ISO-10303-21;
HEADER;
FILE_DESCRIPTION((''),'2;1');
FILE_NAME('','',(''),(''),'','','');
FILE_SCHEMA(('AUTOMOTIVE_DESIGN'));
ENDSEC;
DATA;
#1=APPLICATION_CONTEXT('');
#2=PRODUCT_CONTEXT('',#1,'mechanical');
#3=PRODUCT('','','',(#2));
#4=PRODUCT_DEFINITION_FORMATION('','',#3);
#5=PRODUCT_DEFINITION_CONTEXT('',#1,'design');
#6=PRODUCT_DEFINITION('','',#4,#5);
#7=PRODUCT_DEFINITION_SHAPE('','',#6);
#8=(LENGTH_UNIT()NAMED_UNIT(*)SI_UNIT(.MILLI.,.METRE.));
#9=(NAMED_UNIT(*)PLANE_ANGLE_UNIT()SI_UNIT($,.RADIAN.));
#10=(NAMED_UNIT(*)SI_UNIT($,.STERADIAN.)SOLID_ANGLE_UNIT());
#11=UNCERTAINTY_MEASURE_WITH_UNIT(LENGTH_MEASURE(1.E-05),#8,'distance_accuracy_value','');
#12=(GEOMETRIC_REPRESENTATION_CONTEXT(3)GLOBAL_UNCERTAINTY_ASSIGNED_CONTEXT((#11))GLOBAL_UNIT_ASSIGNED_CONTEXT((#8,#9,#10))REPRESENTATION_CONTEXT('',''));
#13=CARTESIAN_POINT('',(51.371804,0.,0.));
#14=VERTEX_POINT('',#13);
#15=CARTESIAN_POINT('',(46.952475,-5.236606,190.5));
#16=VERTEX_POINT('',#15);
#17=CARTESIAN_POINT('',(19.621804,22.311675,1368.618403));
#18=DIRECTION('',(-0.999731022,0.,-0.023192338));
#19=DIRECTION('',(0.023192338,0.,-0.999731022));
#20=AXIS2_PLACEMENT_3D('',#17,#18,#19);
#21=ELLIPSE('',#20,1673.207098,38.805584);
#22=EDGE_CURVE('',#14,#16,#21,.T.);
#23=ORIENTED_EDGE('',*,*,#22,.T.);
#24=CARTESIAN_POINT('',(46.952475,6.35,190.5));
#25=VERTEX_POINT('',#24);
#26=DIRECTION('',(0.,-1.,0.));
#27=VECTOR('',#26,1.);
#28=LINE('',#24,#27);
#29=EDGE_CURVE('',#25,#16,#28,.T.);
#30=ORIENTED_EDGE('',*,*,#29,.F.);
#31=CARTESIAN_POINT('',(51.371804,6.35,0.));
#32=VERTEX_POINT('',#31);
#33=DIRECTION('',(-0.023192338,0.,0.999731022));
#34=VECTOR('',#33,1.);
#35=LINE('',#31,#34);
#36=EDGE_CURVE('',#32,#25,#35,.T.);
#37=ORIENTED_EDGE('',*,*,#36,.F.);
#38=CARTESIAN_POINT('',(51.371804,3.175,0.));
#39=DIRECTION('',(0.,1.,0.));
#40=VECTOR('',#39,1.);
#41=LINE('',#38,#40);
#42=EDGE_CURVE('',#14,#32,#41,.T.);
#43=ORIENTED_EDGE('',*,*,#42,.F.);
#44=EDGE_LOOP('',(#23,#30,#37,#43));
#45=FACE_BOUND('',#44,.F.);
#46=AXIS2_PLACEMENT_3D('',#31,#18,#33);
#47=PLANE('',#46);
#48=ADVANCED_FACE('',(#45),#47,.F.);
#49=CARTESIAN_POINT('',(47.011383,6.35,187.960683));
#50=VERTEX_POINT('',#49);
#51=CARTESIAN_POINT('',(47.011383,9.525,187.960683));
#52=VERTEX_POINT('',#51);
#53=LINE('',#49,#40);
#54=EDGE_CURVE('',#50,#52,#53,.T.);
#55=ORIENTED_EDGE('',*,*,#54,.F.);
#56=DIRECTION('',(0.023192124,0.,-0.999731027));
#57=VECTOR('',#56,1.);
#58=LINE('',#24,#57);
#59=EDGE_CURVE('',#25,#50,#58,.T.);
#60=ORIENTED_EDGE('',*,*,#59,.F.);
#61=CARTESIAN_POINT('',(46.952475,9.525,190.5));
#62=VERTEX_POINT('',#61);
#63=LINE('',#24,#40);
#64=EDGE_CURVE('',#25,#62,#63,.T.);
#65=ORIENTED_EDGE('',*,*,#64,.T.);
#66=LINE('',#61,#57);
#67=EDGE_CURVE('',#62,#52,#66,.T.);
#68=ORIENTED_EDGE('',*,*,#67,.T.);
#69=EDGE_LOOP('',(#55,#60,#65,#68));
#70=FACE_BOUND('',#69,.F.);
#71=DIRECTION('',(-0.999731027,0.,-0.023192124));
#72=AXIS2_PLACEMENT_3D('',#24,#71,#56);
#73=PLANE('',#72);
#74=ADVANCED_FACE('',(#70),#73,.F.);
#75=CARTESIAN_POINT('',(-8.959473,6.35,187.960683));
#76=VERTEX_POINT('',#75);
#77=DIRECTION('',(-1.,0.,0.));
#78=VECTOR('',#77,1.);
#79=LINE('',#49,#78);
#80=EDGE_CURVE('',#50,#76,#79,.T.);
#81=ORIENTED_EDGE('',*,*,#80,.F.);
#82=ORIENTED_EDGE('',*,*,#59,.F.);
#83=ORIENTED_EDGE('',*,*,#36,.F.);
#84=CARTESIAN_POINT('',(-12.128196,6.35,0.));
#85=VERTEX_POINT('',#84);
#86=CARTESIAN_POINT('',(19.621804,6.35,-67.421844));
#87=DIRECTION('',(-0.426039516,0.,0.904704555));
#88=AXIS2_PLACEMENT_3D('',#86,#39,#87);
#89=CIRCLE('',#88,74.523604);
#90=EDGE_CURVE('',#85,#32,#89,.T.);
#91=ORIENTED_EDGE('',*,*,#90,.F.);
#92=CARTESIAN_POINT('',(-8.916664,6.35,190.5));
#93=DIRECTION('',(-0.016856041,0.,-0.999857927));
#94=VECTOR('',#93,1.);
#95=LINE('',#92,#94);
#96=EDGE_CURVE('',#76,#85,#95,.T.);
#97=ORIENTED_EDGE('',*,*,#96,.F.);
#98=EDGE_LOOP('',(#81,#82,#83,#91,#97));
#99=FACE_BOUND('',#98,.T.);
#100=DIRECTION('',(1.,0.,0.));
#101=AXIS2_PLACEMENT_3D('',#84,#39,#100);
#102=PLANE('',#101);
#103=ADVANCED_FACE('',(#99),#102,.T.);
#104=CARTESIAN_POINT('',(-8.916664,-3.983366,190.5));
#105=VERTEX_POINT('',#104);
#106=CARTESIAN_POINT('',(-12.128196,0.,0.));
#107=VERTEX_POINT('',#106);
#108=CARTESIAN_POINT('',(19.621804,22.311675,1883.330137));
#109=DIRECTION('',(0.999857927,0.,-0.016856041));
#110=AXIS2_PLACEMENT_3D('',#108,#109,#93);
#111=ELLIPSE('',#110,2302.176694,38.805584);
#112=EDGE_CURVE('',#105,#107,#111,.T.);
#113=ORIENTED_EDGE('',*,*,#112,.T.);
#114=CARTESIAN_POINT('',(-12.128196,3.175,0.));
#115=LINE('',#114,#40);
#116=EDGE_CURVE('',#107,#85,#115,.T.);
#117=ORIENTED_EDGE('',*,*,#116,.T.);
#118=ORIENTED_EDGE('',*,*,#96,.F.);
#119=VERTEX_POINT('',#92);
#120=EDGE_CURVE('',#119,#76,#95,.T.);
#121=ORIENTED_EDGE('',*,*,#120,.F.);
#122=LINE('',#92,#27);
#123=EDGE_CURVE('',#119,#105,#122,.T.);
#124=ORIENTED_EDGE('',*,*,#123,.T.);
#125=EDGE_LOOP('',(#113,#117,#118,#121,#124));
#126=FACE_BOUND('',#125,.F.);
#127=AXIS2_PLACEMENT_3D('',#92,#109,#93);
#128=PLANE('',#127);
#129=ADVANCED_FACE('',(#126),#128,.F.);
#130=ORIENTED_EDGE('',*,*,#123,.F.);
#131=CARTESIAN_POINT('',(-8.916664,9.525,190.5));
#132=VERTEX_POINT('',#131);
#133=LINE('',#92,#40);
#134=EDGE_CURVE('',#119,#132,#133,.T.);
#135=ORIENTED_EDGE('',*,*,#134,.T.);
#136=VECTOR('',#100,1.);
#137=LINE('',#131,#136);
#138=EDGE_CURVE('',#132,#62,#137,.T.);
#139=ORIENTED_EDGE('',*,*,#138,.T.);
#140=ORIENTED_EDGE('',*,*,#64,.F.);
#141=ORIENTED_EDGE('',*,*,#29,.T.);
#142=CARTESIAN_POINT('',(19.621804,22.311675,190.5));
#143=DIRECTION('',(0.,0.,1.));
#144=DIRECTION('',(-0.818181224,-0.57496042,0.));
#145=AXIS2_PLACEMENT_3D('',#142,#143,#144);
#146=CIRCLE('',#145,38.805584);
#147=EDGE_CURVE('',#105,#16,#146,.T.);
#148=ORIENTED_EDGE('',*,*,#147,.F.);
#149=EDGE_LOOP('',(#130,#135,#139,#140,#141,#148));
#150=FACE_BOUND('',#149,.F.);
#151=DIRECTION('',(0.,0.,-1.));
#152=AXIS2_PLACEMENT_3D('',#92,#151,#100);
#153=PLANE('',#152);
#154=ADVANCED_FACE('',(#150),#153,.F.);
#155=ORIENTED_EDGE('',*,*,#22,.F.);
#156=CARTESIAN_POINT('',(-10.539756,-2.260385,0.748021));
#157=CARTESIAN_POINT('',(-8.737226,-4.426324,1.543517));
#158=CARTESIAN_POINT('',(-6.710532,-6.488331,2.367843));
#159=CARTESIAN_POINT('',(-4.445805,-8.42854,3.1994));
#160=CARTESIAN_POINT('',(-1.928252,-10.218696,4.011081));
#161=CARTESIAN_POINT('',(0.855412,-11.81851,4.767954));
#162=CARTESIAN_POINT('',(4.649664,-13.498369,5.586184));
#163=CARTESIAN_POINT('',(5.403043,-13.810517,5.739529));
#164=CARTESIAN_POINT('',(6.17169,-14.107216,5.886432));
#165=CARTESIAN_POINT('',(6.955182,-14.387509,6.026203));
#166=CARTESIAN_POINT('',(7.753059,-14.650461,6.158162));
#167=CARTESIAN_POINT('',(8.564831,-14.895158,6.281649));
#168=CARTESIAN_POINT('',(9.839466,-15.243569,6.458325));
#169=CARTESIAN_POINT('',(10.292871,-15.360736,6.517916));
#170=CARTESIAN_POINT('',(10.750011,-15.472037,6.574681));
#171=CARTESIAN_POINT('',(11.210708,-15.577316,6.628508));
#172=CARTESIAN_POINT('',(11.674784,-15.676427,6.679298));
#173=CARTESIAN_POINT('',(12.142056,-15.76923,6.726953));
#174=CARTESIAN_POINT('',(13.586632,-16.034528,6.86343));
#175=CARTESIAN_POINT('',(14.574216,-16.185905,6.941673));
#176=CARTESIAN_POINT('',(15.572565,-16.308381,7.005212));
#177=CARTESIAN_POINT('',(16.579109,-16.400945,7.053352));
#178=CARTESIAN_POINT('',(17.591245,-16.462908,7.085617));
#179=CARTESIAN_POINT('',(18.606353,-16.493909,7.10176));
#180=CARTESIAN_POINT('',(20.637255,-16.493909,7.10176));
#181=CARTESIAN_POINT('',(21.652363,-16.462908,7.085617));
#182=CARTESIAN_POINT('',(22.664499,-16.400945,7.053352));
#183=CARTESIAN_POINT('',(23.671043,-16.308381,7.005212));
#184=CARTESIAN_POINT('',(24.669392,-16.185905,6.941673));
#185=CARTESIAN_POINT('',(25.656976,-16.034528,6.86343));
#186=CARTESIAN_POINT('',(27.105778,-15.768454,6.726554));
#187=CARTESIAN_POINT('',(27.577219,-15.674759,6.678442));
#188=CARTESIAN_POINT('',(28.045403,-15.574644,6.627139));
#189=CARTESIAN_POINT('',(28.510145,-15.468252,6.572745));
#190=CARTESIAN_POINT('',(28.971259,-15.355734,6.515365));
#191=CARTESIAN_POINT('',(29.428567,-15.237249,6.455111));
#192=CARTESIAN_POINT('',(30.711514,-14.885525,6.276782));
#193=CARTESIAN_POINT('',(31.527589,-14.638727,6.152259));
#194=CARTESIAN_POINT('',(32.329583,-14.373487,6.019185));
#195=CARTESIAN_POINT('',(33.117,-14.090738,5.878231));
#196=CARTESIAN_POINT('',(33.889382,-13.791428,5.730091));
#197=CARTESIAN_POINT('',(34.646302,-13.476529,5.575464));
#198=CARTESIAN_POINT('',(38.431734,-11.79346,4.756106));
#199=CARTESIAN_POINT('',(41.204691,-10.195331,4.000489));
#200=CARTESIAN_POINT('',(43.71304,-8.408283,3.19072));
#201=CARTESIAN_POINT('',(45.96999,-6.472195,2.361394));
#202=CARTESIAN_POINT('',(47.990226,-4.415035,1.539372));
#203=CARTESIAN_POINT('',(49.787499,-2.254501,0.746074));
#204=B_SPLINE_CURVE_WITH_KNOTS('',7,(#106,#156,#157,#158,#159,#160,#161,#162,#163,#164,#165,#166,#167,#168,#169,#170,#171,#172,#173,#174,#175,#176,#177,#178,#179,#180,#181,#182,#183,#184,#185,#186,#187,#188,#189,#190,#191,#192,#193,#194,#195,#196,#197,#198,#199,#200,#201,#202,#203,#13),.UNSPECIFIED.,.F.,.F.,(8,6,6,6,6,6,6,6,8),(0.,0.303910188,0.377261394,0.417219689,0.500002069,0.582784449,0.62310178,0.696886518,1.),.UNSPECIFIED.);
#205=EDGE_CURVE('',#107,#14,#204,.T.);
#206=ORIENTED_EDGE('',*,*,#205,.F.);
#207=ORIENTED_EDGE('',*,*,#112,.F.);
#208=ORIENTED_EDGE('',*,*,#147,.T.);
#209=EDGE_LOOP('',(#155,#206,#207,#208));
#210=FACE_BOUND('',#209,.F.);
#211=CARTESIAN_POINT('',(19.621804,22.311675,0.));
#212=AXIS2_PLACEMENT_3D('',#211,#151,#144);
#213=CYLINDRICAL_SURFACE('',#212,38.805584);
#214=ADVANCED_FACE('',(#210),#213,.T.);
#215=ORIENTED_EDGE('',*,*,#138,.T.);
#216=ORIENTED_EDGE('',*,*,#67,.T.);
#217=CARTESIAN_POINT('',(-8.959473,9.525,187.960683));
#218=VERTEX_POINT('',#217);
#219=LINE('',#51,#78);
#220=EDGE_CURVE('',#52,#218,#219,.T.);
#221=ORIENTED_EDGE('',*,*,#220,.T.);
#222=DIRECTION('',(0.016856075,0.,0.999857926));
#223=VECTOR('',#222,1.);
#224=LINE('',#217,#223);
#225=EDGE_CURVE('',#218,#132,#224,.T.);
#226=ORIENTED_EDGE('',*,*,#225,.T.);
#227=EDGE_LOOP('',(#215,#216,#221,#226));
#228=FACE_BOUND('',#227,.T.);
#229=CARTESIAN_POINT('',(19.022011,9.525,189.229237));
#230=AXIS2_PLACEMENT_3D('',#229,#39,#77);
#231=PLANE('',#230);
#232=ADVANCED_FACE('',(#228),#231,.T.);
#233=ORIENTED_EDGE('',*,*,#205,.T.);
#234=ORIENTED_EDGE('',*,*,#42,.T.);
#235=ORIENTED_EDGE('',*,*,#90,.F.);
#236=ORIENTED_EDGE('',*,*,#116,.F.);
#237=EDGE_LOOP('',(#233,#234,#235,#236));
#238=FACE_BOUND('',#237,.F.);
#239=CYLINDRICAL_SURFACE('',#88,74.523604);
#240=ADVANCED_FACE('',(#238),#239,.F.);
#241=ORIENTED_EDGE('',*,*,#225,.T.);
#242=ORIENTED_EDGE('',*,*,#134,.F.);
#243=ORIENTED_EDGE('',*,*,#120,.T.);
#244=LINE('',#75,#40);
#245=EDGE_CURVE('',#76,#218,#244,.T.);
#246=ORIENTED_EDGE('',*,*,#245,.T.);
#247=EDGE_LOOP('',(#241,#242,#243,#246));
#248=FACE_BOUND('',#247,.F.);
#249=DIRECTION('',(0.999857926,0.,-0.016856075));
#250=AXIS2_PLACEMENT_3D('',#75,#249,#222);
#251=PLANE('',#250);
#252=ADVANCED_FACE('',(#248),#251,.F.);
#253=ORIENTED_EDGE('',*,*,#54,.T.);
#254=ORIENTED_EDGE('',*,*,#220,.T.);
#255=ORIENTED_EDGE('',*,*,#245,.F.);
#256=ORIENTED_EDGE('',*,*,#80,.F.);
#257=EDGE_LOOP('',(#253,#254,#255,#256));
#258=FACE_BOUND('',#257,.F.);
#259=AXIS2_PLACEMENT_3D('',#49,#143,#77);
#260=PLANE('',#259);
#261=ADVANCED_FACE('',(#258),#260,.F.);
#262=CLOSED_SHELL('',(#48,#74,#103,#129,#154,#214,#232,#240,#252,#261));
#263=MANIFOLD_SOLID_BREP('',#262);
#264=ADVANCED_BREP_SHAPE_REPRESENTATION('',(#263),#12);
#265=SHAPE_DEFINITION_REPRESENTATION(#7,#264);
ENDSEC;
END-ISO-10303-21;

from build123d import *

# Parameters (mm, degrees)
F0_W     = 63.5
F0_H     = 6.35
F1_DEPTH = 190.5
F3_DEPTH = 25.4
F5_DEPTH = 25.4
F7_DEPTH = 3.175


with BuildPart() as f1:
    # F0 (on Top) → F1 (new body)
    with BuildSketch(Plane.XY):
        with BuildLine():
            Line((51.371804, 0), (-12.128196, 0))
            ThreePointArc((-12.128196, 0), (19.621804, -16.493909), (51.371804, 0))
        make_face()
        with Locations((19.621804, 3.175)):
            Rectangle(F0_W, F0_H)
    extrude(amount=F1_DEPTH)

    # F2 (on face) → F3 (cut)
    with BuildSketch(Plane(origin=(0, 6.35, 0), x_dir=(-1, 0, 0), z_dir=(0, 1, 0))):
        Polygon((-51.371804, 190.5), (-51.371804, 0), (-46.952475, 190.5), align=None)
        Polygon((8.916664, 190.5), (12.128196, 0), (12.128196, 190.5), align=None)
    extrude(amount=-F3_DEPTH, mode=Mode.SUBTRACT)

    # F4 (on face) → F5 (cut)
    with BuildSketch(Plane(origin=(0, 6.35, 0), x_dir=(-1, 0, 0), z_dir=(0, 1, 0))):
        with BuildLine():
            Line((-51.371804, 0), (12.128196, 0))
            ThreePointArc((12.128196, 0), (-19.621804, 7.10176), (-51.371804, 0))
        make_face()
    extrude(amount=-F5_DEPTH, mode=Mode.SUBTRACT)

    # F6 (on face) → F7 (join)
    with BuildSketch(Plane(origin=(0, 6.35, 0), x_dir=(-1, 0, 0), z_dir=(0, 1, 0))):
        Polygon((8.916664, 190.5), (-46.952475, 190.5), (-47.011383, 187.960683), (8.959473, 187.960683), align=None)
    extrude(amount=F7_DEPTH)


solid = f1.part
